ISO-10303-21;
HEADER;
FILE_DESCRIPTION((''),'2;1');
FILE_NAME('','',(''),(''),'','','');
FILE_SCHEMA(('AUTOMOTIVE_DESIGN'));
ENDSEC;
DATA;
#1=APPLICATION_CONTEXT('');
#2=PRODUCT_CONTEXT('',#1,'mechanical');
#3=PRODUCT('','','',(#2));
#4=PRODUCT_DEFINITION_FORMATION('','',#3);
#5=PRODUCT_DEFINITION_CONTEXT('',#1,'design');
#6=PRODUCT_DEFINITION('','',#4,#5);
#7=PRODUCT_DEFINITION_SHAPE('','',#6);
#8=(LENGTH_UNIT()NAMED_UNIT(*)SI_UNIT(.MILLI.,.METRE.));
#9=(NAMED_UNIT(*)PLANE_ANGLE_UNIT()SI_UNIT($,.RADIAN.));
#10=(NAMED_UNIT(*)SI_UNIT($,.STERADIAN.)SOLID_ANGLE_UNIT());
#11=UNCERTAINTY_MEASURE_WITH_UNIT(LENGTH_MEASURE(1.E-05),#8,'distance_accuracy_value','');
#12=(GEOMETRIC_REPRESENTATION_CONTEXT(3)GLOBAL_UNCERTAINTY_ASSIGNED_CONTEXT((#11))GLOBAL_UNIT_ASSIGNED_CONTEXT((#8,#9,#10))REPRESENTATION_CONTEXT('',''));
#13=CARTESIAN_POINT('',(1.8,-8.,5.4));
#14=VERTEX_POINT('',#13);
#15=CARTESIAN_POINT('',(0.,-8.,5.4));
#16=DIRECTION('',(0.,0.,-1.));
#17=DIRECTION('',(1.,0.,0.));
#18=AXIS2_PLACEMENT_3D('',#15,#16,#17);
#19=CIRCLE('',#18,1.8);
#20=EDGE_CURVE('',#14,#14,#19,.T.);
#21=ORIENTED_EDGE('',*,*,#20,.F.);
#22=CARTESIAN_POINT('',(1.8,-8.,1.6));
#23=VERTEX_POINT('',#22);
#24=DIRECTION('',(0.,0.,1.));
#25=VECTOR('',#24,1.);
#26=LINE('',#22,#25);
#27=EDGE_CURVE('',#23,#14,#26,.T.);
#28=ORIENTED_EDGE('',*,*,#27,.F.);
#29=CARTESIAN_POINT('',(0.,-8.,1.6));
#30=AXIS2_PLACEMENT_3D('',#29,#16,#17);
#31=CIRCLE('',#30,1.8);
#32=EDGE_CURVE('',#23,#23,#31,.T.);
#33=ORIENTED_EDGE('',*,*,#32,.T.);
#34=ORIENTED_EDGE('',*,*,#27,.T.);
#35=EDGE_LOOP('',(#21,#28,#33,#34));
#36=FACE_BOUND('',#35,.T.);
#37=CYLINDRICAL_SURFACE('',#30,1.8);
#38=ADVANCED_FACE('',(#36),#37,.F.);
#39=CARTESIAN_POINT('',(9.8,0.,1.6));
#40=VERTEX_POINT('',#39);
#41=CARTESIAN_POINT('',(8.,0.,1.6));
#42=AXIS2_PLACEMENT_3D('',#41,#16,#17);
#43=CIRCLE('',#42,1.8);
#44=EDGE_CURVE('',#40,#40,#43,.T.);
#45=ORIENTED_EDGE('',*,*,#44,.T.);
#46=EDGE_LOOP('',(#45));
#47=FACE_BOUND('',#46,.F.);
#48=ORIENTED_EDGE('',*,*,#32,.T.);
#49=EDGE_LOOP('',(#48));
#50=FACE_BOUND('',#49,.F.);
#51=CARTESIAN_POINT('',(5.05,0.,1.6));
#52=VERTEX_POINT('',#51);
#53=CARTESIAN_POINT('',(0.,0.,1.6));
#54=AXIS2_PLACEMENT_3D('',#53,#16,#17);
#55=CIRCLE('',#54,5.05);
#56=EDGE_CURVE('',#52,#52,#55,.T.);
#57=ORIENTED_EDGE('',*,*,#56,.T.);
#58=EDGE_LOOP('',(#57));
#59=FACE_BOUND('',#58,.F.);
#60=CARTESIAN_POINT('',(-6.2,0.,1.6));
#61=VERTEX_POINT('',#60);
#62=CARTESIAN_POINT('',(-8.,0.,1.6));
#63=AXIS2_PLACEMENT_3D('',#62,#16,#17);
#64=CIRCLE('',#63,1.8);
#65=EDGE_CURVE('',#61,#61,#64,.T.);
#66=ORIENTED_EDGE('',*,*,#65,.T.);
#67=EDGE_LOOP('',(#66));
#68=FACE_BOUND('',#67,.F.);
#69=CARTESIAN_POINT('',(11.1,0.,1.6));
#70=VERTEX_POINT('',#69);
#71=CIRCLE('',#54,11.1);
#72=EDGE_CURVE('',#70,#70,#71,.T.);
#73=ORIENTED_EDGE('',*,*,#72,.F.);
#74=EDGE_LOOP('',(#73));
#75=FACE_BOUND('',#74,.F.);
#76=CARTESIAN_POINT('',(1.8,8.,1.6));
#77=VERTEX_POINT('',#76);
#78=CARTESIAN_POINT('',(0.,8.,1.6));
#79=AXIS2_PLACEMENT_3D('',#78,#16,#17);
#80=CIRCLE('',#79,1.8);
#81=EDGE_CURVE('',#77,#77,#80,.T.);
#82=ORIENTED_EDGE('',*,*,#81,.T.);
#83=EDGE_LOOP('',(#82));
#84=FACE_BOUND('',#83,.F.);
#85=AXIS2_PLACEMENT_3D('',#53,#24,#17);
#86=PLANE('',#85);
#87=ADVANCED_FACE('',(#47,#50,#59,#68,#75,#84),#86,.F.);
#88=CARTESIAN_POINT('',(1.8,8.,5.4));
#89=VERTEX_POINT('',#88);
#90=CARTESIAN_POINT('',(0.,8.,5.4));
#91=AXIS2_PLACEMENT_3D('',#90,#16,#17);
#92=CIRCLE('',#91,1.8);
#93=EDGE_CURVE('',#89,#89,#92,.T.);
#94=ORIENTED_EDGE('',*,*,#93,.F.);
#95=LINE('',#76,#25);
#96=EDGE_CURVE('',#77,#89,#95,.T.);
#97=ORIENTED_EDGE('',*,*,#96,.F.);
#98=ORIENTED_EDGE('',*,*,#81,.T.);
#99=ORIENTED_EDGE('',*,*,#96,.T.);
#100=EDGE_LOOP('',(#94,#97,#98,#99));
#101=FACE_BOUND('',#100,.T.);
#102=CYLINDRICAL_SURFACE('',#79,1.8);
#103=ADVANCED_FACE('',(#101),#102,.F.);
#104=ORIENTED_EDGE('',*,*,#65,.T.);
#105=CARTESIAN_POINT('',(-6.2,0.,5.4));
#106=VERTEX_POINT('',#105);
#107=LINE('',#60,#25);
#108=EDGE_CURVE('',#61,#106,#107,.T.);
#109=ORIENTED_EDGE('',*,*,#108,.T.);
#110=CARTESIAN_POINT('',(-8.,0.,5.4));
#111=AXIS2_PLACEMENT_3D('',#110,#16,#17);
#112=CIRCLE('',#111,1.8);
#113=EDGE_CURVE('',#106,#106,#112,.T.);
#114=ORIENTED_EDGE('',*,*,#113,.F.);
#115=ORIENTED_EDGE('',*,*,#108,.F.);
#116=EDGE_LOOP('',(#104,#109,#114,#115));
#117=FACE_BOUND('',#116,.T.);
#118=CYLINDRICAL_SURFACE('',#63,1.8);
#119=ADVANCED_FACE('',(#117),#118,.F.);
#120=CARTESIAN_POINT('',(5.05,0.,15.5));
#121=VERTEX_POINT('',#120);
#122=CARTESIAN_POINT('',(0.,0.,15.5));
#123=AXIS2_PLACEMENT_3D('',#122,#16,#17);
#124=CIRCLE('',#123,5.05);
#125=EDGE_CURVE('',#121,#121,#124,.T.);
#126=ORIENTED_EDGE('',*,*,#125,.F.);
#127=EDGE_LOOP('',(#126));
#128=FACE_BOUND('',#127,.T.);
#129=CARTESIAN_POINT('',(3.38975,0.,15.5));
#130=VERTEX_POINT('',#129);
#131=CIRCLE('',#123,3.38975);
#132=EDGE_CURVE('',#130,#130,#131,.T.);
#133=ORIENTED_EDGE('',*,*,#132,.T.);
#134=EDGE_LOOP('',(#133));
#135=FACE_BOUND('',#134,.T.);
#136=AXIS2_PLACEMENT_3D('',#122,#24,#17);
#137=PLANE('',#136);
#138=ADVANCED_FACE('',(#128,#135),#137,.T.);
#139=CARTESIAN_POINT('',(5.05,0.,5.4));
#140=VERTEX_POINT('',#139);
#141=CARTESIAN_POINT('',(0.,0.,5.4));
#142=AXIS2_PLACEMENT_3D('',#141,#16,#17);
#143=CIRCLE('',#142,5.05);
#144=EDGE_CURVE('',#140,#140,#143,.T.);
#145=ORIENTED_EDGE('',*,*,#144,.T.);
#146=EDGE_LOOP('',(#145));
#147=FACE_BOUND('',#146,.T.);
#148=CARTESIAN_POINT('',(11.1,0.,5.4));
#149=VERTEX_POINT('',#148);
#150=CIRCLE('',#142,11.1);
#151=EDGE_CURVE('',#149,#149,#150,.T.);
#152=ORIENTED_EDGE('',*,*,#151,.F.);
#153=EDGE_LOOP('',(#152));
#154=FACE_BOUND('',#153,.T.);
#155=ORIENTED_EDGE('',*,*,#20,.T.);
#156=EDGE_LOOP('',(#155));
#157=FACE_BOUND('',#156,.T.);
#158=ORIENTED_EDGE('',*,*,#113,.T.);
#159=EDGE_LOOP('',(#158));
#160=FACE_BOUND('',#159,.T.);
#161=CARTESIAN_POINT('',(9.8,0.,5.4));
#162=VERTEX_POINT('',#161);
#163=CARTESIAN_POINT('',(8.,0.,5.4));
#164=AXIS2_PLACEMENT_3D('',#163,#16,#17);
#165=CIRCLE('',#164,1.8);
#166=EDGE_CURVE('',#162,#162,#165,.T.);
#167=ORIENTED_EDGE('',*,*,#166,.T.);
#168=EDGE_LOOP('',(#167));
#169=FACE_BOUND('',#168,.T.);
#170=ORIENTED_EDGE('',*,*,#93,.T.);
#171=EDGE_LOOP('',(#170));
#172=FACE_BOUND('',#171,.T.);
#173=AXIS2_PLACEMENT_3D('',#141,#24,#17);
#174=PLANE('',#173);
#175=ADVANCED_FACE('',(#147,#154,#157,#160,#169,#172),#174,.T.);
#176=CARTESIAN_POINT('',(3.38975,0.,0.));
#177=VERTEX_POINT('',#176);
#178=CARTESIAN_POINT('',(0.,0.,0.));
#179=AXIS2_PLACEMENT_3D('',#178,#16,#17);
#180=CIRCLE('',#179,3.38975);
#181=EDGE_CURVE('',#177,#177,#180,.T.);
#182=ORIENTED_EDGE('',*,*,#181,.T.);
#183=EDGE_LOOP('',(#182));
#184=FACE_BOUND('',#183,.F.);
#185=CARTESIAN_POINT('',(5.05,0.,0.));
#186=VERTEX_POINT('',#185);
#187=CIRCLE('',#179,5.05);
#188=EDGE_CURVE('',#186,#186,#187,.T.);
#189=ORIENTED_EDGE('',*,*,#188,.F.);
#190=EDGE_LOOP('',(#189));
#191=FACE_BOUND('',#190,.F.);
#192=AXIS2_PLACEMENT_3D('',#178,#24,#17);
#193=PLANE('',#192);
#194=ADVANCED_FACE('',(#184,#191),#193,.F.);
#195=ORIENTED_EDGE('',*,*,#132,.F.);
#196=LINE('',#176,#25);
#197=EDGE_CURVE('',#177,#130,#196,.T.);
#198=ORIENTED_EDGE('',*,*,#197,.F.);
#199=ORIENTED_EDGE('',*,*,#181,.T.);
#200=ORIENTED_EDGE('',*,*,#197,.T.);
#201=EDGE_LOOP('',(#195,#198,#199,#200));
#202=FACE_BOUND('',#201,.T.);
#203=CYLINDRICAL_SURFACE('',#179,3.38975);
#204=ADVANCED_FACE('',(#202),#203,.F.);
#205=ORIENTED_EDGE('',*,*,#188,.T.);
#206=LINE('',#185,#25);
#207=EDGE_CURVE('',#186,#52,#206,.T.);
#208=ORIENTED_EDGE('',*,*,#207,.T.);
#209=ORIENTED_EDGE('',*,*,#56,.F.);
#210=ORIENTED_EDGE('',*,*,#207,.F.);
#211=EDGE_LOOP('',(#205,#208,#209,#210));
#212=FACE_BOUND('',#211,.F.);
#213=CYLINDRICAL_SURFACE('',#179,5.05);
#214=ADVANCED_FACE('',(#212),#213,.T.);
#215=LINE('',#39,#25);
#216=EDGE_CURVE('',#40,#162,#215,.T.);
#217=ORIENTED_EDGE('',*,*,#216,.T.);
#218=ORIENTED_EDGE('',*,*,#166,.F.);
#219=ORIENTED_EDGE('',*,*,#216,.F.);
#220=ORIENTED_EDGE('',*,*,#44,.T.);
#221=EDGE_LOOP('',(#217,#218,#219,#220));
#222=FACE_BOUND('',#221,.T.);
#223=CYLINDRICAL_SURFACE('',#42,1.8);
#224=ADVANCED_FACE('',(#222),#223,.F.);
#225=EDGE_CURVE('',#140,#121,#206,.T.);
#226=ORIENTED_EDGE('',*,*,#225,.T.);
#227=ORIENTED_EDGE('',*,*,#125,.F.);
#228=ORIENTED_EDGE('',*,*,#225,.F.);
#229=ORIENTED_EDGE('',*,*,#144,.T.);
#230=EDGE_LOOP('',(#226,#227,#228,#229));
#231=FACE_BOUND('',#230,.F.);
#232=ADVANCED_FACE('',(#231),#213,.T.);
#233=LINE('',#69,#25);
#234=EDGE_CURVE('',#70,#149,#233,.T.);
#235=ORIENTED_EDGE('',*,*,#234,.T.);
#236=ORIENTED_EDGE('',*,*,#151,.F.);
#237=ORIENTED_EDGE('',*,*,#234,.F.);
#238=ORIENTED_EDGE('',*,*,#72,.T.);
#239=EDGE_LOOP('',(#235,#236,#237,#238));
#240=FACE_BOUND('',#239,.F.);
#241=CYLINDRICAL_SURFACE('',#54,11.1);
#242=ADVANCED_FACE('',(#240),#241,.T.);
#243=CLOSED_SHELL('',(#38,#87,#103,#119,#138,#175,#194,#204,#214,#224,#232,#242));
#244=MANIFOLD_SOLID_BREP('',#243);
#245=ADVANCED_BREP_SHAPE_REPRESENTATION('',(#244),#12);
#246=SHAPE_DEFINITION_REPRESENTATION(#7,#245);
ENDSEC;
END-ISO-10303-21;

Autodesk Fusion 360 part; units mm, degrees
sketch "Sketch2" plane through (0, 0, 0) normal (0, 0, 1) x (1, 0, 0)
  circle A0 centre (0, 0) radius 5.05
  circle A1 centre (0, 0) radius 11.1
  line L0 (-35, 0) -> (41.5964, 0) construction
  line L1 (0, 35) -> (0, -35) construction
  circle A2 centre (0, 8) radius 1.8
  circle A3 centre (8, 0) radius 1.8
  circle A4 centre (0, -8) radius 1.8
  circle A5 centre (-8, 0) radius 1.8
  circle A6 centre (0, 0) radius 8 construction
  circle A7 centre (0, 0) radius 4
  dimension "d1" = 10.1
  dimension "d2" = 22.2
  dimension "d3" = 3.6
  dimension "d4" = 3.6
  dimension "d5" = 3.6
  dimension "d6" = 3.6
  dimension "d7" = 16
  dimension "d13" = 8
extrude "Extrude1" add sketch "Sketch2" along normal blind 15.5 contours A0 | A7
extrude "Extrude2" add sketch "Sketch2" along normal blind 3.8 from surface at 1.6 contours A1
extrude "Extrude3" cut sketch "Sketch2" along normal up to surface (15.5 mm away) contours A7
thread "Thread1" "ISO Metric profile 8.0 M8x1.25 6H" major diameter 8.17 minor diameter 6.7795 pitch 1.25 angle 60 resizes the face on face at (3.995, -0.1994, 10.3333)
